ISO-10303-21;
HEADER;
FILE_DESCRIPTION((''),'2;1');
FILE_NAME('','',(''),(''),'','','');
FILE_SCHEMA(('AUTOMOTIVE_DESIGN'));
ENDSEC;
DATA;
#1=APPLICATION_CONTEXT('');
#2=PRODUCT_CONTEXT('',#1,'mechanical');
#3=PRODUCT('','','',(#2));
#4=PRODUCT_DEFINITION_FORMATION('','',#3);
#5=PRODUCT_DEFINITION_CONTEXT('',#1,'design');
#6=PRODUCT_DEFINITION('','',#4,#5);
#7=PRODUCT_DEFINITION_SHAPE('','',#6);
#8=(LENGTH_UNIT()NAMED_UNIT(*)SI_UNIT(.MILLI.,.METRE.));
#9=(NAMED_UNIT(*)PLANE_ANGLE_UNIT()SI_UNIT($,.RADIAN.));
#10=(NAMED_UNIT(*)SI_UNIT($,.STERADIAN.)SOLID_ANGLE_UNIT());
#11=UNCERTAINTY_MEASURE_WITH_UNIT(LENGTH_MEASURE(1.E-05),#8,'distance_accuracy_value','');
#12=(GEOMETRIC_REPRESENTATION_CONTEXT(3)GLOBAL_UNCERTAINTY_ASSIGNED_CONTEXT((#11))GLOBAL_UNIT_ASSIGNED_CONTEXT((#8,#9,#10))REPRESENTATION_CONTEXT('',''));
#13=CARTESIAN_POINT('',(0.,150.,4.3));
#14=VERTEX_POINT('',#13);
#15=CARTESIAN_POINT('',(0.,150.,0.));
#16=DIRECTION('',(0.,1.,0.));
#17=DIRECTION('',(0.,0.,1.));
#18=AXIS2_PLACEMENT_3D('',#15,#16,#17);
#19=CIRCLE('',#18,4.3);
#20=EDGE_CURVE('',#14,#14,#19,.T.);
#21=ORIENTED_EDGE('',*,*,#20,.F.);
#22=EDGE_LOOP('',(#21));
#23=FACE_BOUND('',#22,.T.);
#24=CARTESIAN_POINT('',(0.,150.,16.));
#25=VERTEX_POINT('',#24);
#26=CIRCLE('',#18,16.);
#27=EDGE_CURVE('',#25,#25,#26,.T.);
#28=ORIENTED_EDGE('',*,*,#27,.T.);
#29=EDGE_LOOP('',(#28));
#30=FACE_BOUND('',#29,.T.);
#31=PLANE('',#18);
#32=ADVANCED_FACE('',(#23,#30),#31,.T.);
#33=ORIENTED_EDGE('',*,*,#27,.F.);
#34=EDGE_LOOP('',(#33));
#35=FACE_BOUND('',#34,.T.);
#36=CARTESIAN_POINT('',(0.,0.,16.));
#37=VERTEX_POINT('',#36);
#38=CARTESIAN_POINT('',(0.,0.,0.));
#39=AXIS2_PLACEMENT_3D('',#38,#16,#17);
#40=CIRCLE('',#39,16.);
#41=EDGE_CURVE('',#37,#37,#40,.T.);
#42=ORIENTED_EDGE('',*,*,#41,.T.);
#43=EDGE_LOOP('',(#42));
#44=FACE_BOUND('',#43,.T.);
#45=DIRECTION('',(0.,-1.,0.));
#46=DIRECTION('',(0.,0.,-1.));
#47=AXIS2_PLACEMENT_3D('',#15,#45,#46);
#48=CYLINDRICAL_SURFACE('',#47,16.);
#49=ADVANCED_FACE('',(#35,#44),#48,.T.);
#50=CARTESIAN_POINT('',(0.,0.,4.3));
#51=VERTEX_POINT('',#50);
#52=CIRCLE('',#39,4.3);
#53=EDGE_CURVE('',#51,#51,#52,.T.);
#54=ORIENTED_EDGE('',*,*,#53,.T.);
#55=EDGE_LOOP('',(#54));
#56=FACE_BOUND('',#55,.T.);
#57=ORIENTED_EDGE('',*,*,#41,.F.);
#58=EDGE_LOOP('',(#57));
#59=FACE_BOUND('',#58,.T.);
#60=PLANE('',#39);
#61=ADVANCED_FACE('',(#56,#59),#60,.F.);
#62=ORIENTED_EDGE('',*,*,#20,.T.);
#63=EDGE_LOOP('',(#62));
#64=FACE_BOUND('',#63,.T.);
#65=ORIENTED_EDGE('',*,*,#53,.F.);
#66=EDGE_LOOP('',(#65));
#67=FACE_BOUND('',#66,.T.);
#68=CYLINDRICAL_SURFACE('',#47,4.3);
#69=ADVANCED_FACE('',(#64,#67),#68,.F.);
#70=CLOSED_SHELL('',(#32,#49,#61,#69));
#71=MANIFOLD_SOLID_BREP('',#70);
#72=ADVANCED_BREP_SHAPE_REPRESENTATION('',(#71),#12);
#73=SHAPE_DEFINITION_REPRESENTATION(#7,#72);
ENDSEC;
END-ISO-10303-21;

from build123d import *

# Parameters (mm, degrees)
CROQUIS1_R              = 16
CROQUIS1_R_2            = 4.3
SALIENTE_EXTRUIR1_DEPTH = 150


with BuildPart() as part:
    # Croquis1 → Saliente-Extruir1 (new body)
    with BuildSketch(Plane(origin=(0, 0, 0), x_dir=(1, 0, 0), z_dir=(0, 1, 0))):
        Circle(CROQUIS1_R)
        Circle(CROQUIS1_R_2, mode=Mode.SUBTRACT)
    extrude(amount=SALIENTE_EXTRUIR1_DEPTH)


solid = part.part
